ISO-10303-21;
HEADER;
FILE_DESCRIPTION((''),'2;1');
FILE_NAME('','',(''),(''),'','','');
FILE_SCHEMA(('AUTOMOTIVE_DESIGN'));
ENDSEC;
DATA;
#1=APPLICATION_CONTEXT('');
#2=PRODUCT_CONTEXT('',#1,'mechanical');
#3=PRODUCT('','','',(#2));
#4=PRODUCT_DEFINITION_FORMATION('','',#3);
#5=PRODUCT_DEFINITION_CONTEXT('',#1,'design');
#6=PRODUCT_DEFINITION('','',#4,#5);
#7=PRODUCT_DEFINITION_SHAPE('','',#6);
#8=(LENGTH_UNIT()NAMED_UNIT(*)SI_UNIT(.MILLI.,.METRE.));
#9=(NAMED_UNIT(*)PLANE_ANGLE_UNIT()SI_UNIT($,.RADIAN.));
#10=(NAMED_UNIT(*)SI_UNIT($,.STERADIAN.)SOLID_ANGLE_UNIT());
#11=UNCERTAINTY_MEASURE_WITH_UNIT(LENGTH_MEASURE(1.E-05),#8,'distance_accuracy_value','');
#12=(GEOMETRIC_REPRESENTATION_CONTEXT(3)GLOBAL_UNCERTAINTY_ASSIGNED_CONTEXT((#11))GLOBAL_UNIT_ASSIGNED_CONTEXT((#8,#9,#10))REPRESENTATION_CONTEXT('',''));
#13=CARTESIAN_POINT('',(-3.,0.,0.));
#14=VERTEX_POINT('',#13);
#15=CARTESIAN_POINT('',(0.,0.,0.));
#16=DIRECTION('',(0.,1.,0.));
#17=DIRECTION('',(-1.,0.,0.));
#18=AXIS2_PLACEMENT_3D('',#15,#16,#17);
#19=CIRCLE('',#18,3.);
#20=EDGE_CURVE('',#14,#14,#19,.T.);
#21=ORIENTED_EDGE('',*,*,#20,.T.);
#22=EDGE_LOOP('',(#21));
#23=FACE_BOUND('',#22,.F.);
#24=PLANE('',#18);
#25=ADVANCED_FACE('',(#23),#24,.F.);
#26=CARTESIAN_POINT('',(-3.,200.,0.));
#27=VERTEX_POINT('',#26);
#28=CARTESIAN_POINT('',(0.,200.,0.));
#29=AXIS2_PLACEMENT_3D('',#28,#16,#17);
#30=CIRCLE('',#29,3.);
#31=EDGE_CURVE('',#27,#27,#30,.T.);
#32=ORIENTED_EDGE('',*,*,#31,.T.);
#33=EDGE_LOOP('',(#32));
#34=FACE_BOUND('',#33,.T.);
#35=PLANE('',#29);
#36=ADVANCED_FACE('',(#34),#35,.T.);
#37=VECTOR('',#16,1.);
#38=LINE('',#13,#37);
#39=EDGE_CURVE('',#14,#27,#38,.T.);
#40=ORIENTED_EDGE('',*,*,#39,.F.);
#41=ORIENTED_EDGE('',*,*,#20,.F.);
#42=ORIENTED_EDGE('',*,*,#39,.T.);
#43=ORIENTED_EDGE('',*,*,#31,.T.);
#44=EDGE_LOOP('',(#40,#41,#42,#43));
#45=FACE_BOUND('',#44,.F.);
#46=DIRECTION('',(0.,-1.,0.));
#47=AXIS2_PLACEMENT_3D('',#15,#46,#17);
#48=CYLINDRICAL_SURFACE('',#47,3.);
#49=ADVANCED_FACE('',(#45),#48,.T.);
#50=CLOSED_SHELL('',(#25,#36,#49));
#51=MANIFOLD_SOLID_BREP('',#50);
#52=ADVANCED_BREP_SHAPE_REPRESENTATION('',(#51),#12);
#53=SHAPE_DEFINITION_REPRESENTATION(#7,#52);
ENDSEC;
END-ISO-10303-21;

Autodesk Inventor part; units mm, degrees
ref_plane "YZ Plane" through (0, 0, 0) normal (1, 0, 0) x (0, 1, 0)
ref_plane "XZ Plane" through (0, 0, 0) normal (0, 1, 0) x (-1, 0, 0)
ref_plane "XY Plane" through (0, 0, 0) normal (0, 0, 1) x (1, 0, 0)
sketch "Sketch1" plane through (0, 0, 0) normal (0, 1, 0) x (-1, 0, 0)
  circle A0 centre (0, 0) radius 3
  dimension "d0" = 6
extrude "Extrusion1" add sketch "Sketch1" along normal blind 200
properties part number "00_Thorlabs_Rod_150mm"
